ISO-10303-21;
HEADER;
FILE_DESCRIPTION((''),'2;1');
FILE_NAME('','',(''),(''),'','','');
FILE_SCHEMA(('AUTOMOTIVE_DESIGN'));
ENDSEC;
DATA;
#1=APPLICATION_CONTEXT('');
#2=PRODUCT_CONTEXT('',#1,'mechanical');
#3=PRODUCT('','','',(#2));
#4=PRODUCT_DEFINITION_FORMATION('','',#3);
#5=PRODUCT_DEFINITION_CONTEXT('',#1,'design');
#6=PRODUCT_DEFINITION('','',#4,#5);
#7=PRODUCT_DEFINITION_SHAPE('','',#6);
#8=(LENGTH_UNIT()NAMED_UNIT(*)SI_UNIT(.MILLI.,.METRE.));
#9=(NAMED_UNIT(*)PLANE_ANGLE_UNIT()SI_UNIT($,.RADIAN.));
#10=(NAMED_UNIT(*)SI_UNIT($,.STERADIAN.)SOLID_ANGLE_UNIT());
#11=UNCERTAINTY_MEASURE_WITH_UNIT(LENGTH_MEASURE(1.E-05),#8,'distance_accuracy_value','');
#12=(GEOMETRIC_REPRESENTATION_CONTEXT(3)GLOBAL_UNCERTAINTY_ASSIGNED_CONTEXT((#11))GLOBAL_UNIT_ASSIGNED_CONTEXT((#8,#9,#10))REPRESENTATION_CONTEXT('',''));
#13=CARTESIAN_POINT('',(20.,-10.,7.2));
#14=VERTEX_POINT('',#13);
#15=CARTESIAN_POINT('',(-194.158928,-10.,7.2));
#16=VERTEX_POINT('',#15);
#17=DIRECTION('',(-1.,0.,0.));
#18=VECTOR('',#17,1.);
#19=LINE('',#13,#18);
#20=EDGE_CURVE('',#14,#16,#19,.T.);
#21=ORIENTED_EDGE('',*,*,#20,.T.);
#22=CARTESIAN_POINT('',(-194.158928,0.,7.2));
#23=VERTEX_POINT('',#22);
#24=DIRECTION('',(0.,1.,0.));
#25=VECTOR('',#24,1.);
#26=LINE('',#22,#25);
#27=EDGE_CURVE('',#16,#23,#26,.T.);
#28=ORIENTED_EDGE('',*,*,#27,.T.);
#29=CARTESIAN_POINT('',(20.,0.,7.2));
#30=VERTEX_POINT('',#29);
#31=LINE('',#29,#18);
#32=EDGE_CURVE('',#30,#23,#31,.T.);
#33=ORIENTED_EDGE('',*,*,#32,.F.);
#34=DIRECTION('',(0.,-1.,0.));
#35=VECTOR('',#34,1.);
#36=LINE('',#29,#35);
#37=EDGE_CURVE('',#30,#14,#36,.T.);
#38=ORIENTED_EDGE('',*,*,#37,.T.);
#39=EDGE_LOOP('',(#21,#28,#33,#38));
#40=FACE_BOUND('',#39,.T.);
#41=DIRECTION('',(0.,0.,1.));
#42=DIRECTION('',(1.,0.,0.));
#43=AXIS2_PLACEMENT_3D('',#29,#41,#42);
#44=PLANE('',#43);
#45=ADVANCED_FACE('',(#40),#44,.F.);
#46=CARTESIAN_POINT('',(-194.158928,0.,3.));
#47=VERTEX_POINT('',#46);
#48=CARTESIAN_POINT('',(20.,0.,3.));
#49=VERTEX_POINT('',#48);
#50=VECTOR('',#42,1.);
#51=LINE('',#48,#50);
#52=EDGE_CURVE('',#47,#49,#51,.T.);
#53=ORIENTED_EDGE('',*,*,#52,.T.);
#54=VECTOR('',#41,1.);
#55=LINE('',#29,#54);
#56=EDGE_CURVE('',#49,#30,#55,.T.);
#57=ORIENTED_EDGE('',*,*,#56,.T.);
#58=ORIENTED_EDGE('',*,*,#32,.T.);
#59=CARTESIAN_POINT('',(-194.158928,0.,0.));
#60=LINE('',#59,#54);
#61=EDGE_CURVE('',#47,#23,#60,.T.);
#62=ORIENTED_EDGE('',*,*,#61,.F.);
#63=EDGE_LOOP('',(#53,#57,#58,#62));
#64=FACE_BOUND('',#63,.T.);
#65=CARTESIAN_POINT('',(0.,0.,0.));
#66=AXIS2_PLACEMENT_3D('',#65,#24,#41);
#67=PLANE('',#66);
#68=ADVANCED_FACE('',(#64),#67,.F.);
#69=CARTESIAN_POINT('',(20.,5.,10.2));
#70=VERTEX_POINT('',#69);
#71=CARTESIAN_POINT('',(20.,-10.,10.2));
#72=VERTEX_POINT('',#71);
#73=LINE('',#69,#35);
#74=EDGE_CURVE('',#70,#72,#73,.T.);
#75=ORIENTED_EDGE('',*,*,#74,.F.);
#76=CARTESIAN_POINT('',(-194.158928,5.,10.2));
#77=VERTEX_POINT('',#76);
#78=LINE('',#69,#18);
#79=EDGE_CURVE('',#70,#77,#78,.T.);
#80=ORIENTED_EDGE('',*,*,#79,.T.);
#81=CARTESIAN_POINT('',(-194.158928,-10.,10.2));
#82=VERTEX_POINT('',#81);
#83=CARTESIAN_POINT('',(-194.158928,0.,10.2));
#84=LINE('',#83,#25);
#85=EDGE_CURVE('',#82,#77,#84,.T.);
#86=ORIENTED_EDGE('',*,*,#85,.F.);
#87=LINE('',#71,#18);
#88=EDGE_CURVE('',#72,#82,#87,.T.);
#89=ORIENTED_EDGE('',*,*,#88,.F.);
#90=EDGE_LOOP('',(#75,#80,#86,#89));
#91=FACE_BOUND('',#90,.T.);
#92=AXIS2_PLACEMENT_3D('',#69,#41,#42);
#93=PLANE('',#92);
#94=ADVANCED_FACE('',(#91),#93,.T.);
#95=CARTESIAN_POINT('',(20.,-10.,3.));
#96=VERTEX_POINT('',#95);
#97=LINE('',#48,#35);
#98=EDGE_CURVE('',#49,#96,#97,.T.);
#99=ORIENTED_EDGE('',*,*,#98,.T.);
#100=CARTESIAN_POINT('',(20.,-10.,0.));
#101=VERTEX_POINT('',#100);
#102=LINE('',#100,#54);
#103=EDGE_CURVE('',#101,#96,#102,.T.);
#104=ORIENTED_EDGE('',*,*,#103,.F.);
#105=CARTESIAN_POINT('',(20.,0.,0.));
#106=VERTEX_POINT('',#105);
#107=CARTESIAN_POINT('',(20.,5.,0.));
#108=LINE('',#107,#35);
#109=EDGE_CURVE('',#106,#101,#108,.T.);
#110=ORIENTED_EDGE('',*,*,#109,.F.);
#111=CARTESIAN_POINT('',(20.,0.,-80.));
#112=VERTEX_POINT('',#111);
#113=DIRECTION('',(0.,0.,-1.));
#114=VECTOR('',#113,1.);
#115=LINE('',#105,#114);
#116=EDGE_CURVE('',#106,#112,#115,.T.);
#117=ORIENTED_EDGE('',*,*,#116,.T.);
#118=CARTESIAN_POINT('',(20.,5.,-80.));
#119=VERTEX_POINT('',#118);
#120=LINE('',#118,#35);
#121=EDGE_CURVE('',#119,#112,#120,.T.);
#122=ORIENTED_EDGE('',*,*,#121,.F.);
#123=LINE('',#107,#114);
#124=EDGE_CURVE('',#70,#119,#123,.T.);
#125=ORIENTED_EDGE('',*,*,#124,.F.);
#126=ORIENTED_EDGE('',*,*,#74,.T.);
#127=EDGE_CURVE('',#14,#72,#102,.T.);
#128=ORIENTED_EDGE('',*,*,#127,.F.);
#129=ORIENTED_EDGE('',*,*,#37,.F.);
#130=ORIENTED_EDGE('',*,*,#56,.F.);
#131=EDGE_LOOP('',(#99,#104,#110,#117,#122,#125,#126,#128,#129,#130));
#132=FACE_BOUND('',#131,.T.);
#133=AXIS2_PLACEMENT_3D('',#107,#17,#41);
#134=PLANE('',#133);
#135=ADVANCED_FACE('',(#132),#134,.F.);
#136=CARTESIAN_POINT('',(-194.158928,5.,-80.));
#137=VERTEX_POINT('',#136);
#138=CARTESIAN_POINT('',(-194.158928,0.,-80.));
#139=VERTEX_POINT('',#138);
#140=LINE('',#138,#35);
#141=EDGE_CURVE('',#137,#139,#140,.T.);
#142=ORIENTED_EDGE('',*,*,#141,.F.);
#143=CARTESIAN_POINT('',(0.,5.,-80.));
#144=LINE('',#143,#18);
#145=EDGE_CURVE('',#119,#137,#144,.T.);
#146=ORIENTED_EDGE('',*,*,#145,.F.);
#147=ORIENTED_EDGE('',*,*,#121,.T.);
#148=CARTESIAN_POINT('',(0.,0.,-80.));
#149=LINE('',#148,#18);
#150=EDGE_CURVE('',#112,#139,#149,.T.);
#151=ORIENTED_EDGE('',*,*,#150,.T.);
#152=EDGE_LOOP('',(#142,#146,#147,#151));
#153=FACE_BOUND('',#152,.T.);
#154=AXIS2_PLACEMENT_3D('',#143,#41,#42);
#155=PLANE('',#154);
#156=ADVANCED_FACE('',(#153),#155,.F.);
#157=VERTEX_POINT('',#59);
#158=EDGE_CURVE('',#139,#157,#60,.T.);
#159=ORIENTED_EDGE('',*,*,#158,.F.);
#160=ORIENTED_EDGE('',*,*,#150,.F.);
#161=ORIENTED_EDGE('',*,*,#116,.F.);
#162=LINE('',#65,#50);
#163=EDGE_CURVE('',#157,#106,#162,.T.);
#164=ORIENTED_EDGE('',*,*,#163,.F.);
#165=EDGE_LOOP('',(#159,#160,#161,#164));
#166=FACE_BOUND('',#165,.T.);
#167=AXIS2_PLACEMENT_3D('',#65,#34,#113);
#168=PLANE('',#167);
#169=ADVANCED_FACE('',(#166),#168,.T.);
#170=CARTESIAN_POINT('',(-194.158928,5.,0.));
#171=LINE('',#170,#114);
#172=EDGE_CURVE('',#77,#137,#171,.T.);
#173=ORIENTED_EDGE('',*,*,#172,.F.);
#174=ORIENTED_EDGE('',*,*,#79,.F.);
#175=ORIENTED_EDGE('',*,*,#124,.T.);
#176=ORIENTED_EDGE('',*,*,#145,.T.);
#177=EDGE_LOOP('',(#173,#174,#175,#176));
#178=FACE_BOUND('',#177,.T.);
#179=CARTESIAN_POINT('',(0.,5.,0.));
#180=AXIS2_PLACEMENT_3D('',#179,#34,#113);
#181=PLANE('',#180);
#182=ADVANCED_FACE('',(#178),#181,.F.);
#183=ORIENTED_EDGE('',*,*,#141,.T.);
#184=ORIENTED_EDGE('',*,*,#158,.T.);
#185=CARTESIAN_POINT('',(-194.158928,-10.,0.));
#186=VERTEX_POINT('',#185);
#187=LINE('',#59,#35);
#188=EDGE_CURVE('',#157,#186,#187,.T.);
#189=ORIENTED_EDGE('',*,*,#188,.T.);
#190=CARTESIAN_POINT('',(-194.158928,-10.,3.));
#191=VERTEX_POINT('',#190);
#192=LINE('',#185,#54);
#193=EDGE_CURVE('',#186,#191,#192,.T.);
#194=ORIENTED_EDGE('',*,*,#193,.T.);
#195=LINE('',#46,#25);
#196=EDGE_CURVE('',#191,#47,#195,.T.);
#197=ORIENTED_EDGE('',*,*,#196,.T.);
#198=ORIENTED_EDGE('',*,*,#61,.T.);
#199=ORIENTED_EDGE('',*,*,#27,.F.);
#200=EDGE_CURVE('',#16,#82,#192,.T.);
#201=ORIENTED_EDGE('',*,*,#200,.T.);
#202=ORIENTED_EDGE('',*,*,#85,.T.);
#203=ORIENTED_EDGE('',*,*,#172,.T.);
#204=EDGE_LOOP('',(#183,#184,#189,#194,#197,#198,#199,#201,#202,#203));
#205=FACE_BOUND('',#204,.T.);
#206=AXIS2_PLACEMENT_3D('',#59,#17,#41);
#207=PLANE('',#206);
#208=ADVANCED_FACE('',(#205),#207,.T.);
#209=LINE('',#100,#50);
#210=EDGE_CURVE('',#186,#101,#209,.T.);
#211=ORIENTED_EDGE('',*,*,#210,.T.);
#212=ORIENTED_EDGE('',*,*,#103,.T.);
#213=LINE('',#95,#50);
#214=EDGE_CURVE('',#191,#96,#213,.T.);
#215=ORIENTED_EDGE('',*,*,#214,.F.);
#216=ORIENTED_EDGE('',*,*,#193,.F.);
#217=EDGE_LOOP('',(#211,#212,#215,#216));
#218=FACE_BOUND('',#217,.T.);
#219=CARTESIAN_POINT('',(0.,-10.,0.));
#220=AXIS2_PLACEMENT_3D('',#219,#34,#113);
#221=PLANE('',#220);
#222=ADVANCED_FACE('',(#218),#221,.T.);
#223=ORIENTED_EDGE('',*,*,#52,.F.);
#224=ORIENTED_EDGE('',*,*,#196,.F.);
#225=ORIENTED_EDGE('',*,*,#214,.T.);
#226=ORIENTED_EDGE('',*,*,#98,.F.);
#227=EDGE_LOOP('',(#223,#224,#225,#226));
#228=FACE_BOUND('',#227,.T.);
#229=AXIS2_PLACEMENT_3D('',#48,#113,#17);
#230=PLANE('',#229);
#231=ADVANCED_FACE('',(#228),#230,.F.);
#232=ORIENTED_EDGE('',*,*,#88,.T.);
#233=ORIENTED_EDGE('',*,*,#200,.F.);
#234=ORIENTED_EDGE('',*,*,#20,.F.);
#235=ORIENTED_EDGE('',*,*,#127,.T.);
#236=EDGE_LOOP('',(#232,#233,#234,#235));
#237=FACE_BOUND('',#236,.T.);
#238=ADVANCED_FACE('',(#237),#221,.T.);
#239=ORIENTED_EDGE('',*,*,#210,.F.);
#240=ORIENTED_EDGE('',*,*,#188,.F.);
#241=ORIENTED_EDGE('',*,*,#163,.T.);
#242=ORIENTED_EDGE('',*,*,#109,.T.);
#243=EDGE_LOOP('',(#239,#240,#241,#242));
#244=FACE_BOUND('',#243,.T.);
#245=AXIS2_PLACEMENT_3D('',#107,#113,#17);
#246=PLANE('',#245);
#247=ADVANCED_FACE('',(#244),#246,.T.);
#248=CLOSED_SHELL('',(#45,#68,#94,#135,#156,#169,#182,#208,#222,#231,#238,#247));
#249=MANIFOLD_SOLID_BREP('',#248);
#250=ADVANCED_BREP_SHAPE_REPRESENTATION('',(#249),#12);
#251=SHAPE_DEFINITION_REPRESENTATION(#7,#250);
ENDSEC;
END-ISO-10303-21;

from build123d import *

# Parameters (mm, degrees)
SKETCH1_W                = 20
SKETCH1_H                = 80
BOSS_EXTRUDE1_DEPTH      = 5
BOSS_EXTRUDE2_DEPTH      = 10
BOSS_EXTRUDE2_DEPTH_BACK = 5
SKETCH2_W                = 20
SKETCH2_H                = 10.2
SKETCH3_W                = 20
SKETCH3_H                = 4.2
CUT_EXTRUDE1_DEPTH       = 10
BOSS_EXTRUDE3_DEPTH      = 194.158928137


with BuildPart() as part:
    # Sketch1 → Boss-Extrude1 (new body)
    with BuildSketch(Plane(origin=(0, 0, 0), x_dir=(1, 0, 0), z_dir=(0, 1, 0))):
        with Locations((10, 40)):
            Rectangle(SKETCH1_W, SKETCH1_H)
    extrude(amount=BOSS_EXTRUDE1_DEPTH)

    # Sketch2 → Boss-Extrude2 (add, two sides: drawn at the far end of the back side and taken through both)
    with BuildSketch(Plane.XZ.offset(-BOSS_EXTRUDE2_DEPTH_BACK)):
        with Locations((10, 5.1)):
            Rectangle(SKETCH2_W, SKETCH2_H)
    extrude(amount=BOSS_EXTRUDE2_DEPTH + BOSS_EXTRUDE2_DEPTH_BACK)

    # Sketch3 → Cut-Extrude1 (cut)
    with BuildSketch(Plane.XZ.offset(10)):
        with Locations((10, 5.1)):
            Rectangle(SKETCH3_W, SKETCH3_H)
    extrude(amount=-CUT_EXTRUDE1_DEPTH, mode=Mode.SUBTRACT)

    # Sketch5 → Boss-Extrude3 (add)
    with BuildSketch(Plane.ZY):
        Polygon((3, 0), (7.2, 0), (7.2, 5), (-80, 5), (-80, 0), (0, 0), (0, -10), (3, -10), align=None)
        Polygon((7.2, -10), (10.2, -10), (10.2, 5), (7.2, 5), (7.2, 0), align=None)
    extrude(amount=BOSS_EXTRUDE3_DEPTH)


solid = part.part
